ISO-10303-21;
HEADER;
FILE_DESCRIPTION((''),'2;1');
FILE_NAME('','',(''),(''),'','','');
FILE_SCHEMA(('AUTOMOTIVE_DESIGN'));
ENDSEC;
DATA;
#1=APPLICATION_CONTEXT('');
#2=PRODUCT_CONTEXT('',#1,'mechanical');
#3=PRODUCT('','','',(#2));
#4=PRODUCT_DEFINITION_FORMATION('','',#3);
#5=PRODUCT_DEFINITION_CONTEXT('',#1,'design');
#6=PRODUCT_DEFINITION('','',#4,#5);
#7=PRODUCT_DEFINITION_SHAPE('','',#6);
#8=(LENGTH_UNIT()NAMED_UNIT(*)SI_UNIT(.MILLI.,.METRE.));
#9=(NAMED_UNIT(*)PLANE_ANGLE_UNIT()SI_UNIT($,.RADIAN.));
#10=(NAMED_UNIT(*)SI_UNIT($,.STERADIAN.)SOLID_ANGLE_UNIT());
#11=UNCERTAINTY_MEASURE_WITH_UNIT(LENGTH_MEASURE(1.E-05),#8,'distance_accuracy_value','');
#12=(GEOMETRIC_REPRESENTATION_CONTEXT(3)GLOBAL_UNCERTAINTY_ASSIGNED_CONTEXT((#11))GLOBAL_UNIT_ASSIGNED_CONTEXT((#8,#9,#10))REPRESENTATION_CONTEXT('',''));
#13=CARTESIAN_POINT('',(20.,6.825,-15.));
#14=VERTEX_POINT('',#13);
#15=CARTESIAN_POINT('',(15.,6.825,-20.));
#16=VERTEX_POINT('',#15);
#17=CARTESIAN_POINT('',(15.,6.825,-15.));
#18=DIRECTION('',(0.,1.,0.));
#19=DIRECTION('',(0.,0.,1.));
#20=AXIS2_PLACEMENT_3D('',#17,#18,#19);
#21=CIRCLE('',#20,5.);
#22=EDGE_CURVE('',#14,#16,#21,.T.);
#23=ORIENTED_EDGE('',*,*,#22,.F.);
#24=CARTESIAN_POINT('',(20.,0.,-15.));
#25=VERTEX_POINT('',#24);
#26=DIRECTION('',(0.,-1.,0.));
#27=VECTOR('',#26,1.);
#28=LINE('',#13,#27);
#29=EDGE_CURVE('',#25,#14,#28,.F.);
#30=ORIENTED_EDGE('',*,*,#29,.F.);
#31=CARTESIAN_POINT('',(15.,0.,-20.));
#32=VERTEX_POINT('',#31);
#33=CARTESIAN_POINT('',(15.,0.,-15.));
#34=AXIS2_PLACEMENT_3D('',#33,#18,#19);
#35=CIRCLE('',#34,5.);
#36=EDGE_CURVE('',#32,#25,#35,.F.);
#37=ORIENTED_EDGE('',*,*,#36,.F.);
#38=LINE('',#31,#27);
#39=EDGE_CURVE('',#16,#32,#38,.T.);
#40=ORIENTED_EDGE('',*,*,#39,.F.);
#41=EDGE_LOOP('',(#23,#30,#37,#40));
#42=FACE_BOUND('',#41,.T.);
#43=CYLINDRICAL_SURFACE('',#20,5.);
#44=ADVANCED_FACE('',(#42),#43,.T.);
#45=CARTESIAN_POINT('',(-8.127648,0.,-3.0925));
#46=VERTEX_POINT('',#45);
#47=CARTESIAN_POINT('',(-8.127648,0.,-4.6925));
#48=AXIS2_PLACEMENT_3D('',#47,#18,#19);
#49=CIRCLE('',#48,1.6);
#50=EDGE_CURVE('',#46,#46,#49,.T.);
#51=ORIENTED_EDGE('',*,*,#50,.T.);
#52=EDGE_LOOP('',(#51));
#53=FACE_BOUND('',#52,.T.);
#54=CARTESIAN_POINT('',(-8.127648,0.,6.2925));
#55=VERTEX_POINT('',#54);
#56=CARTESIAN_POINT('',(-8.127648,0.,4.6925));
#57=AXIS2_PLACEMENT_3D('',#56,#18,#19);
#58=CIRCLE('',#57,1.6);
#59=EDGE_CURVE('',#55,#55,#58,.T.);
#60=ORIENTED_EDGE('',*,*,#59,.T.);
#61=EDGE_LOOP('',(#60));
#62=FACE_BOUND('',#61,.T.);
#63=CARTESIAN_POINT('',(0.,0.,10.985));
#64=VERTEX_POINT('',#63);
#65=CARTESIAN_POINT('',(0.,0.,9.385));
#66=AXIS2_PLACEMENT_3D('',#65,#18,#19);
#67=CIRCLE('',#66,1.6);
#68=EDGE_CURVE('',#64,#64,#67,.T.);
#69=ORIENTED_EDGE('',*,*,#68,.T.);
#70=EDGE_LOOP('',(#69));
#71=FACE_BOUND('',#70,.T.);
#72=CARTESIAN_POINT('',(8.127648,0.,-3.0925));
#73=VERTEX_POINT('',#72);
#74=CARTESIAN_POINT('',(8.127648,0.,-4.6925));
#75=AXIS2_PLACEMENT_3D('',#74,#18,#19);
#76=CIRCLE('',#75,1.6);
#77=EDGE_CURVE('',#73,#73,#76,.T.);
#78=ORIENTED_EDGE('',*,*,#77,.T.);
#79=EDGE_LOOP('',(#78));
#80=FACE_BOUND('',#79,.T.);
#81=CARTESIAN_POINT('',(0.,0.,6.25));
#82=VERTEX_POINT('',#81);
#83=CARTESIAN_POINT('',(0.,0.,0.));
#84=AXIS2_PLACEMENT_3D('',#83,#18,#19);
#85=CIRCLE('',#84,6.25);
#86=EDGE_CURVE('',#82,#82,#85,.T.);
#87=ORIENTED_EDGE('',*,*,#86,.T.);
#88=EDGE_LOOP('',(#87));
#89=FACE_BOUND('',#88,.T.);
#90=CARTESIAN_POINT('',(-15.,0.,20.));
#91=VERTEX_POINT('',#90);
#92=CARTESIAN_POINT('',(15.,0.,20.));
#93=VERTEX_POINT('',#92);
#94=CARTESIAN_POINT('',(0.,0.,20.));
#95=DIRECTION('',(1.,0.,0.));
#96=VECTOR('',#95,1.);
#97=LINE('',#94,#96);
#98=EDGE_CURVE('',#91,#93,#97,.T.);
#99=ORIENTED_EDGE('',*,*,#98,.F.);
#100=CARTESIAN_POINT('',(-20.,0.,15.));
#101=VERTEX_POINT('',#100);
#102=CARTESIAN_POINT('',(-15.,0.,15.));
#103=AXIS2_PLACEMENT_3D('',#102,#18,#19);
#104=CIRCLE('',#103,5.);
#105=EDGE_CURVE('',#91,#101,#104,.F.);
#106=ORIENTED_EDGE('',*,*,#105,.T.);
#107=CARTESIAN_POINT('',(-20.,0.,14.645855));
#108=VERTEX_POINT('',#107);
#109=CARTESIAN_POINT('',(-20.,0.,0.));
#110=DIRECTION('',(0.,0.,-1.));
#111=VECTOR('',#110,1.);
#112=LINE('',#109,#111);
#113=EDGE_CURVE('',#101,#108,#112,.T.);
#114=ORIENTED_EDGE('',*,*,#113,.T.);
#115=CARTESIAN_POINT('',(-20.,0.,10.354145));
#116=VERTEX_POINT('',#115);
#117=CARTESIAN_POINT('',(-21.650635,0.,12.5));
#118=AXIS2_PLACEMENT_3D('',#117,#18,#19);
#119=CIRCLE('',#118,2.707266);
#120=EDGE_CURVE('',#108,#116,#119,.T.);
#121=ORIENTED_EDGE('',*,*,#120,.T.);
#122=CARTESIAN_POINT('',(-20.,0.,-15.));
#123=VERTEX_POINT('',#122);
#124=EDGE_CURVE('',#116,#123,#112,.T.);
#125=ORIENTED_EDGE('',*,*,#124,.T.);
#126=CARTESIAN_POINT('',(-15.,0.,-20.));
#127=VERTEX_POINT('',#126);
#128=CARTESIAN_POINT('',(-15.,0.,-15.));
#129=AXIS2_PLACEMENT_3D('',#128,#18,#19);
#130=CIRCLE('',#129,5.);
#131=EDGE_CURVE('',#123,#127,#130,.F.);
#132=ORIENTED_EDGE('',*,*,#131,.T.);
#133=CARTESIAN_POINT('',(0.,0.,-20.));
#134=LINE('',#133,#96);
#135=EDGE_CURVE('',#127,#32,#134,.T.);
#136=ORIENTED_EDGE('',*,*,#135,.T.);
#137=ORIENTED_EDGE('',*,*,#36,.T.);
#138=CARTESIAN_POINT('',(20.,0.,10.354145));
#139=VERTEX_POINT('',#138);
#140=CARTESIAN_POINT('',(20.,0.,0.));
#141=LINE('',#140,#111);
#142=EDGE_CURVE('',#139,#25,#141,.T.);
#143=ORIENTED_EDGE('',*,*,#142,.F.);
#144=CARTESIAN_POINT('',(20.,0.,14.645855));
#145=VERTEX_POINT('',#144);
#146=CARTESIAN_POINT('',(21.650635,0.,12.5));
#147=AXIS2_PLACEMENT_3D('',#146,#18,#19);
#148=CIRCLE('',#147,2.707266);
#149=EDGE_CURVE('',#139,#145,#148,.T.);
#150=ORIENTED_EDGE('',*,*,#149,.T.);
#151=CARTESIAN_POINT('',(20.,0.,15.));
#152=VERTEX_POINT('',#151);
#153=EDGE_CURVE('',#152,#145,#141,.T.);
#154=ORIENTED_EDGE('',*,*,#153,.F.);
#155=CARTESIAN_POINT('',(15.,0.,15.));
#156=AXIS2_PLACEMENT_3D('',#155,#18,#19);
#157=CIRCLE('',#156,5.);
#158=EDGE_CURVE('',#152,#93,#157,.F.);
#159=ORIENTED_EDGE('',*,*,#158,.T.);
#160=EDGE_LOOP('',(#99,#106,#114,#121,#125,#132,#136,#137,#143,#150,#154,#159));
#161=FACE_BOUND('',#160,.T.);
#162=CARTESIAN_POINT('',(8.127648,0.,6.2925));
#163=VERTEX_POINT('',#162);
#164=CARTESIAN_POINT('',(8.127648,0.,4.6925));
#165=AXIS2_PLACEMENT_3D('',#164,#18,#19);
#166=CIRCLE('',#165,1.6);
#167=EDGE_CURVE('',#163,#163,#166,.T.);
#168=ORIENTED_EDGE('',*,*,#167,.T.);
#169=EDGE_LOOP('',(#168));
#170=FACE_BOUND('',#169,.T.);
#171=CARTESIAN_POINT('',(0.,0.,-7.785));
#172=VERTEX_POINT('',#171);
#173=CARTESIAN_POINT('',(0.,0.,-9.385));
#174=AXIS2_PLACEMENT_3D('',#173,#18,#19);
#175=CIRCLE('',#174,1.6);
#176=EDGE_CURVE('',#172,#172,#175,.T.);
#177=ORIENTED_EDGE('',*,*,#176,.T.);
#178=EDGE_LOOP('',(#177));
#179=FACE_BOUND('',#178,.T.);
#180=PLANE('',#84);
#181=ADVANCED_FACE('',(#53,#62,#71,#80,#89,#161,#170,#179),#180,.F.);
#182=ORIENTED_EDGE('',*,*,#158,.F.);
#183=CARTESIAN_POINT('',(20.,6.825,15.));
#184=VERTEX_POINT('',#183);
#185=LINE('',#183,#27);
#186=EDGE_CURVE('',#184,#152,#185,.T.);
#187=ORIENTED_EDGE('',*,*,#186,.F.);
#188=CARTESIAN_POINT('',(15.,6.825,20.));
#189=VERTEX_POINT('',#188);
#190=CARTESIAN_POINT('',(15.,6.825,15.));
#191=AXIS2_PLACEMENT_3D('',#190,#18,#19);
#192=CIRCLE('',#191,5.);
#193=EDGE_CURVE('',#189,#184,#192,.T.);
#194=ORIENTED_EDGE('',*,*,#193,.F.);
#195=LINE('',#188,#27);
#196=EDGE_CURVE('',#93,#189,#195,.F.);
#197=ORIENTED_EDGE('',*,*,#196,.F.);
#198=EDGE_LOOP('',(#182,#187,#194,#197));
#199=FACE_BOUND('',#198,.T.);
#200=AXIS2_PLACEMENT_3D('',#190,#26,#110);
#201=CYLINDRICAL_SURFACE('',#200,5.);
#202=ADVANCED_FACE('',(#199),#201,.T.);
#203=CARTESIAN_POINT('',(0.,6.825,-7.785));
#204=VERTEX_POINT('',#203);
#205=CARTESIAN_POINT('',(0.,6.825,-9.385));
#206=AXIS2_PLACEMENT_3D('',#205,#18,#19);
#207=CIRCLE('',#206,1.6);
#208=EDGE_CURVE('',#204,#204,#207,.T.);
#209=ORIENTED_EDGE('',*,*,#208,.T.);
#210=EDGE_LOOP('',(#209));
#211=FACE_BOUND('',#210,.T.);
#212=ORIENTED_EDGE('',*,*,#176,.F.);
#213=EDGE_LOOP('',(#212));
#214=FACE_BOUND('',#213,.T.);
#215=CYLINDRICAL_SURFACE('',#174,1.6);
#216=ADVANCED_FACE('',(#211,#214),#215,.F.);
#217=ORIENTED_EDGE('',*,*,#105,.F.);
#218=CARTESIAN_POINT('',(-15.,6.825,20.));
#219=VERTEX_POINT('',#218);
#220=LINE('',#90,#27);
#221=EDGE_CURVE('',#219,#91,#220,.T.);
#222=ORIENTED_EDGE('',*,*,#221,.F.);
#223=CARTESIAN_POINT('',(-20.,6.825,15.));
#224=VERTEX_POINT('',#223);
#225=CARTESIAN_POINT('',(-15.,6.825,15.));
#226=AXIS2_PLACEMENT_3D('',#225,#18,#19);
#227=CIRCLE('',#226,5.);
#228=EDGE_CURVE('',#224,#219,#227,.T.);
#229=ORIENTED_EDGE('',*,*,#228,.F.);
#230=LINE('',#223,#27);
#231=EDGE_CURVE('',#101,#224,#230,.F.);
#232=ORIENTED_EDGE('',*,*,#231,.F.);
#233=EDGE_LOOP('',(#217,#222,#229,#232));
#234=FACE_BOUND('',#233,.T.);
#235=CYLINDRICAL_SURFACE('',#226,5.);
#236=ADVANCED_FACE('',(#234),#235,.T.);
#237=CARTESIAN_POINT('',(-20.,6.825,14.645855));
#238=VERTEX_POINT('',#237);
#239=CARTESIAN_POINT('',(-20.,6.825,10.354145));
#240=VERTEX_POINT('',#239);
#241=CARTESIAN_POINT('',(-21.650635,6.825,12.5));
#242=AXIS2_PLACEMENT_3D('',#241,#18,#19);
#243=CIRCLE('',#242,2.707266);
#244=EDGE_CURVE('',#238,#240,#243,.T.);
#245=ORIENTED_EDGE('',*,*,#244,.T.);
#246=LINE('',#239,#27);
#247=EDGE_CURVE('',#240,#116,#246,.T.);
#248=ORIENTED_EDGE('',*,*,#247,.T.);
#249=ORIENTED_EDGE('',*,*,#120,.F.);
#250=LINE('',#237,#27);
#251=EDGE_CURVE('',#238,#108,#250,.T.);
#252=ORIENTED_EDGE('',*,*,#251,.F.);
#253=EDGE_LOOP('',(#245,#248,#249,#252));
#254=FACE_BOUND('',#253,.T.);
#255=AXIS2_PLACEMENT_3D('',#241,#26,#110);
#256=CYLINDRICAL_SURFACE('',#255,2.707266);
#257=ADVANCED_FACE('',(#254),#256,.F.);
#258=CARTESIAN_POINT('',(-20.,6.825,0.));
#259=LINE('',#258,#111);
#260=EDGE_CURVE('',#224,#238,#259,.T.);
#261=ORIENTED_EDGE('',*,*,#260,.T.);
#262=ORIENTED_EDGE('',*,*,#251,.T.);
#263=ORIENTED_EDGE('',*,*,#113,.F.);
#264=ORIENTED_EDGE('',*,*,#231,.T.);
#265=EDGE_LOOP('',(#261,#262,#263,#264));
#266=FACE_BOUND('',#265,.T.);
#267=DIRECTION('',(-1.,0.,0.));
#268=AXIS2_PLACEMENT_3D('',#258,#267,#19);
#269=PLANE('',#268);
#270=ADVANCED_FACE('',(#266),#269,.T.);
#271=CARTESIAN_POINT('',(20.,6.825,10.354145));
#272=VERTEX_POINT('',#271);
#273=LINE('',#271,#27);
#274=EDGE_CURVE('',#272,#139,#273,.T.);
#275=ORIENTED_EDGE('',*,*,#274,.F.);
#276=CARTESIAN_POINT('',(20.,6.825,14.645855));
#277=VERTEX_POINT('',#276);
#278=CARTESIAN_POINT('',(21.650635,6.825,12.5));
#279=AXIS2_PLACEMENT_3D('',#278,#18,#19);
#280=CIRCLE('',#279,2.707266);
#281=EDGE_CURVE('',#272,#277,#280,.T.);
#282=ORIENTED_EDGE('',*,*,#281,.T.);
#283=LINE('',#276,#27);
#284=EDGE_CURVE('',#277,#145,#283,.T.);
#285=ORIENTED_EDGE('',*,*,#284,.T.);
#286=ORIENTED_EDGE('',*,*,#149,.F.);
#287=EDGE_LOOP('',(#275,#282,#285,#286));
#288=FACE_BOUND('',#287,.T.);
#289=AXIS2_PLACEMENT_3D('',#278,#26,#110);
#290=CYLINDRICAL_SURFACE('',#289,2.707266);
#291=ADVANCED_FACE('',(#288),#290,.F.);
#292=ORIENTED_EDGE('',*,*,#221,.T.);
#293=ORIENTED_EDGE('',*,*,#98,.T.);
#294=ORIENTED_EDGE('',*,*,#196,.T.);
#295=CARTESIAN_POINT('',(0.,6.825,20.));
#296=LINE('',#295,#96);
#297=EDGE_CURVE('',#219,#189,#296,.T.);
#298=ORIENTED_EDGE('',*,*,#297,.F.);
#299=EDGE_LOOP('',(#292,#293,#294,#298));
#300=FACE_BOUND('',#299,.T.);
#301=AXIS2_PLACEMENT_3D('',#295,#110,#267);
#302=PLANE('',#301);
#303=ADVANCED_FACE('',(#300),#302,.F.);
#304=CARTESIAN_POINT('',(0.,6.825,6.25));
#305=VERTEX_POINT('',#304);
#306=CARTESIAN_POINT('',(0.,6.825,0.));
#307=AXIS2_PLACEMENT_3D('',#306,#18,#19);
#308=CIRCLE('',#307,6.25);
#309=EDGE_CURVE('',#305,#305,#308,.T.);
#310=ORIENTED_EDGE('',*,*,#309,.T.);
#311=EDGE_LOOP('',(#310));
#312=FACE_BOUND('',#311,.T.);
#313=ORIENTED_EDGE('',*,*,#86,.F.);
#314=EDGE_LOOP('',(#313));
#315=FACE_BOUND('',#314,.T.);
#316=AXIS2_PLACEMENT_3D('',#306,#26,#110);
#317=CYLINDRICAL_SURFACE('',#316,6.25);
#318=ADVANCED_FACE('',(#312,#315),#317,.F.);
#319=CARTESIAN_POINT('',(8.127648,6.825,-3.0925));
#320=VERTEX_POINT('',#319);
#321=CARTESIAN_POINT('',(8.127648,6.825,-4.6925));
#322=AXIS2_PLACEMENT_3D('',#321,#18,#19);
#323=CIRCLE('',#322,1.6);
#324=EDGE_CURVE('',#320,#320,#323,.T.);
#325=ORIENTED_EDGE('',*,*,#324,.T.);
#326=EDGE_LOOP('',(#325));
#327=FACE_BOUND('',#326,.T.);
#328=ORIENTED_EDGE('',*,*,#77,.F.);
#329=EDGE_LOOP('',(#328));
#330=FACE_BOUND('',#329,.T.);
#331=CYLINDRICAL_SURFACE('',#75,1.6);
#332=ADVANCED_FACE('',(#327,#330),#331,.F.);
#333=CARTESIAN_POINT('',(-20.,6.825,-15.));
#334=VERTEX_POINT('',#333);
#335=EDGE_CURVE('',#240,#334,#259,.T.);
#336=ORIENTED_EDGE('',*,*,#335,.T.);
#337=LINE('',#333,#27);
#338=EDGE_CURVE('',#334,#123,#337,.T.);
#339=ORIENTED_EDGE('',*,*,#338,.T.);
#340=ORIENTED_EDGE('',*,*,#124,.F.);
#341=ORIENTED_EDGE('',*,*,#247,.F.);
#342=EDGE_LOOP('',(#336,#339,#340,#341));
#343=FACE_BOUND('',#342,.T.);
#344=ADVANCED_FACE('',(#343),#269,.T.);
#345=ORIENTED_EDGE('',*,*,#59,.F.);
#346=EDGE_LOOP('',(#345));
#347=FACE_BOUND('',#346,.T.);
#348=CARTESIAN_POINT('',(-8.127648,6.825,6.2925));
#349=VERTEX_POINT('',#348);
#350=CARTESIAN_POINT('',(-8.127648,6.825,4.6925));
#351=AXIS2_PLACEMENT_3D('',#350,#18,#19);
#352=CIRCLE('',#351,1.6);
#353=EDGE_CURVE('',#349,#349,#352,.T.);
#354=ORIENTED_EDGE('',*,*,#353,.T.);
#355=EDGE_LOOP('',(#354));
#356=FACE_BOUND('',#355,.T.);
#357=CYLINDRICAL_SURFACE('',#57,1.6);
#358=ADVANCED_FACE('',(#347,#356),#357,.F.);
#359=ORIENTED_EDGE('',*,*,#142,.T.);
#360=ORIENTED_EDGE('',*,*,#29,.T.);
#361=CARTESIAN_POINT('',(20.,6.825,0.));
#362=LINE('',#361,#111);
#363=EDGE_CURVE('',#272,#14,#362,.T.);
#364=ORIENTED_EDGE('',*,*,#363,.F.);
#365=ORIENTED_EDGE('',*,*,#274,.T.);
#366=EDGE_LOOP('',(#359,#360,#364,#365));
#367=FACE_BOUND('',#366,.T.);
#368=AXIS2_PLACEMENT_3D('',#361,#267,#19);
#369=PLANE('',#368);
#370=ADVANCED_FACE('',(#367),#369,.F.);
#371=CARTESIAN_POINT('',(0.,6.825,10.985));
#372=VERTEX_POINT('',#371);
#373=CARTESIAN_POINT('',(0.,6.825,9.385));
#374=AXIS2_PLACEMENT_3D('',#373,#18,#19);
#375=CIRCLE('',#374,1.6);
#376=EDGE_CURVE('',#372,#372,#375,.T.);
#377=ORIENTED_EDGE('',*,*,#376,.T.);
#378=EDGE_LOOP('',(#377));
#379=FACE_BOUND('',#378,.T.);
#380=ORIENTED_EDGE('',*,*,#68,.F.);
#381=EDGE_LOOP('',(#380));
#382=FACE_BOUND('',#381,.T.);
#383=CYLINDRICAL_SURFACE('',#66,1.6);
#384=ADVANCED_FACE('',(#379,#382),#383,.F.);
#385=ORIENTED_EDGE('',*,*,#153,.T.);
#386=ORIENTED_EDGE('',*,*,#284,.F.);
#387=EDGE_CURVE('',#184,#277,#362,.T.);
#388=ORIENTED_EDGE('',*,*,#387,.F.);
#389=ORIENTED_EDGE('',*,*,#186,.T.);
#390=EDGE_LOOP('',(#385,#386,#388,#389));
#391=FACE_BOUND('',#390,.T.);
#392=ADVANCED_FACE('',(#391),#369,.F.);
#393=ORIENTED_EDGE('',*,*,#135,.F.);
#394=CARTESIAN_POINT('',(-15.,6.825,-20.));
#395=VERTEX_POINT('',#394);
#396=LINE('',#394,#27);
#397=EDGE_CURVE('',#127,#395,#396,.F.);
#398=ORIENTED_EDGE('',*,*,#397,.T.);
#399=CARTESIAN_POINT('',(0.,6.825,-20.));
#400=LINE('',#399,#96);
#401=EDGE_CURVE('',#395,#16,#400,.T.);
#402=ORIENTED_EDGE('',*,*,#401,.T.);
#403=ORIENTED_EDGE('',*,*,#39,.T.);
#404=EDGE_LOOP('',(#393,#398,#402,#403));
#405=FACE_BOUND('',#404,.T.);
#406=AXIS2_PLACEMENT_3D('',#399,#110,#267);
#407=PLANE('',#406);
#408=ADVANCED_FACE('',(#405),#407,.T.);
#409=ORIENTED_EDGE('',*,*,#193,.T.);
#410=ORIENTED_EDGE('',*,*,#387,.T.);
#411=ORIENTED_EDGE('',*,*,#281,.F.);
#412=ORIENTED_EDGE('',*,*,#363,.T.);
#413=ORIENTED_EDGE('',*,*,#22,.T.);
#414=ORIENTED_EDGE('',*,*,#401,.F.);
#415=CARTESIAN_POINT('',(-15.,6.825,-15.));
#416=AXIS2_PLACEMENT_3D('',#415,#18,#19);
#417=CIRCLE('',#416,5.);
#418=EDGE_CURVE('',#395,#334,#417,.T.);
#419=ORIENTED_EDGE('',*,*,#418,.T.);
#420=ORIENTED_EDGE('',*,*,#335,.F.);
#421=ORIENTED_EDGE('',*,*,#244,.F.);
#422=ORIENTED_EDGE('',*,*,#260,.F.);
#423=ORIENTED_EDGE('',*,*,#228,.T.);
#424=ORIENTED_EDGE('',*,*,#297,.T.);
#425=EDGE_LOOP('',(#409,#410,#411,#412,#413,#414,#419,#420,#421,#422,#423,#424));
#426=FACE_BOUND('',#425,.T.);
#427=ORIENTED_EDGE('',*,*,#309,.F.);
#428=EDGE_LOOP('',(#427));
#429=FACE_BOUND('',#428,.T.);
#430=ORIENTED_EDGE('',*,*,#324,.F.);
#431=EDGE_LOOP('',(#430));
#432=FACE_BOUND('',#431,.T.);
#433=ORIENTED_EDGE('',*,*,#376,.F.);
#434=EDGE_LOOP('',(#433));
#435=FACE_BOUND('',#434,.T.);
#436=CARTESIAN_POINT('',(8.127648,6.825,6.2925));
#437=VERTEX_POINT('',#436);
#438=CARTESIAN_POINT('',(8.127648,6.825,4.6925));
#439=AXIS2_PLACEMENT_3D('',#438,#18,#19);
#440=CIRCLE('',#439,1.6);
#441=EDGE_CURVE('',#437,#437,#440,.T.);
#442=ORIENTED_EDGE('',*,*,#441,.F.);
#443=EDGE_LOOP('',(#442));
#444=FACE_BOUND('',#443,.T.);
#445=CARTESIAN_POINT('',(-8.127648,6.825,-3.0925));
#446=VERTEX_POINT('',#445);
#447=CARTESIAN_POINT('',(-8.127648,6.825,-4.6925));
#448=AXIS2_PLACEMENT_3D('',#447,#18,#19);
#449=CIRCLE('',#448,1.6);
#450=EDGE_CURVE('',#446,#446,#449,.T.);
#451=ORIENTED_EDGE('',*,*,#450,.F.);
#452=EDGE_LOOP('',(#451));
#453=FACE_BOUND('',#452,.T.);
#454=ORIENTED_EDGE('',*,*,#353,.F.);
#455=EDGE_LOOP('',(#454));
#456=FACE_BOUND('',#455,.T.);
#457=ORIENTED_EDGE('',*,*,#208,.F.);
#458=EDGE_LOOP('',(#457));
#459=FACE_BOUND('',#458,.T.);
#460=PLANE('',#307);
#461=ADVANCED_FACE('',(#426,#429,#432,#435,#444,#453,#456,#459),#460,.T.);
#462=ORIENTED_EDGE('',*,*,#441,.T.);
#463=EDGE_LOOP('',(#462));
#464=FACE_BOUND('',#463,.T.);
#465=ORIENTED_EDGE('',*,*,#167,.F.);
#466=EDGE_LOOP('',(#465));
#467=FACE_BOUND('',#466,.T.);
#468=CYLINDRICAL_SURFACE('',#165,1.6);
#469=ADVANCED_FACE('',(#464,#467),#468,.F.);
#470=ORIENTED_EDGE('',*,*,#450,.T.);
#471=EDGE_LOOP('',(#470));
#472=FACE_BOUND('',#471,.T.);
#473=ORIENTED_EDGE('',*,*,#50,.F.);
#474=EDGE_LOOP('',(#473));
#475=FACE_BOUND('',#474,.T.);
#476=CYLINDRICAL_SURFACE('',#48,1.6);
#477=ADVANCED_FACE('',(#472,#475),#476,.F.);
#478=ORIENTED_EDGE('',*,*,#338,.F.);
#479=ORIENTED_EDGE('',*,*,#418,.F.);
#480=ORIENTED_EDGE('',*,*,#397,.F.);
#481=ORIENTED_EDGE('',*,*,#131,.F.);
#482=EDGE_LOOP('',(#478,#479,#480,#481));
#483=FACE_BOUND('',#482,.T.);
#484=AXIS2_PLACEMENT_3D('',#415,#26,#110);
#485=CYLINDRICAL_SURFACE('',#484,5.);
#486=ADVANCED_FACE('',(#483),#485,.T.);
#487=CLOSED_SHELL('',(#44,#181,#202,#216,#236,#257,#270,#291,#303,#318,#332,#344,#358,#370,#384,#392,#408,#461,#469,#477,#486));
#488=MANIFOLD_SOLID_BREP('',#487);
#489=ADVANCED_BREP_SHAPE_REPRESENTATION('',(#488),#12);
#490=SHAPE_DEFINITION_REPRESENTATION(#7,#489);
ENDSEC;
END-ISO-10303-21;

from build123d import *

# Parameters (mm, degrees)
SKETCH1_R           = 6.25
BOSS_EXTRUDE1_DEPTH = 6.825
SKETCH6_R           = 1.6
CUT_EXTRUDE1_DEPTH  = 30.096058582
FILLET2_R           = 5


with BuildPart() as part:
    # Sketch1 → Boss-Extrude1 (new body)
    with BuildSketch(Plane(origin=(0, 0, 0), x_dir=(1, 0, 0), z_dir=(0, 1, 0))):
        with BuildLine():
            Line((-20, -14.645854519), (-20, -20))
            Line((-20, -20), (20, -20))
            Line((20, -20), (20, -14.645854519))
            ThreePointArc((20, -14.645854519), (18.943369346, -12.5), (20, -10.354145481))
            Line((20, -10.354145481), (20, 20))
            Line((20, 20), (-20, 20))
            Line((-20, 20), (-20, -10.354145481))
            ThreePointArc((-20, -10.354145481), (-19.221849833, -11.304052681), (-18.943369346, -12.5))
            ThreePointArc((-18.943369346, -12.5), (-19.221849833, -13.695947319), (-20, -14.645854519))
        make_face()
        Circle(SKETCH1_R, mode=Mode.SUBTRACT)
    extrude(amount=BOSS_EXTRUDE1_DEPTH)

    # Sketch6 → Cut-Extrude1 (cut, through all)
    with BuildSketch(Plane(origin=(0, 6.825, 0), x_dir=(1, 0, 0), z_dir=(0, 1, 0))):
        with Locations((0, -9.385)):
            Circle(SKETCH6_R)
        with Locations((-8.127648415, -4.6925)):
            Circle(SKETCH6_R)
        with Locations((-8.127648415, 4.6925)):
            Circle(SKETCH6_R)
        with Locations((0, 9.385)):
            Circle(SKETCH6_R)
        with Locations((8.127648415, 4.6925)):
            Circle(SKETCH6_R)
        with Locations((8.127648415, -4.6925)):
            Circle(SKETCH6_R)
    extrude(amount=-CUT_EXTRUDE1_DEPTH, mode=Mode.SUBTRACT)

    # Fillet2
    fillet2_edges = [part.edges().sort_by_distance(p)[0] for p in [
        (20, 3.4125, 20),
        (20, 3.4125, -20),
        (-20, 3.4125, -20),
        (-20, 3.4125, 20),
    ]]
    fillet(fillet2_edges, radius=FILLET2_R)


solid = part.part
